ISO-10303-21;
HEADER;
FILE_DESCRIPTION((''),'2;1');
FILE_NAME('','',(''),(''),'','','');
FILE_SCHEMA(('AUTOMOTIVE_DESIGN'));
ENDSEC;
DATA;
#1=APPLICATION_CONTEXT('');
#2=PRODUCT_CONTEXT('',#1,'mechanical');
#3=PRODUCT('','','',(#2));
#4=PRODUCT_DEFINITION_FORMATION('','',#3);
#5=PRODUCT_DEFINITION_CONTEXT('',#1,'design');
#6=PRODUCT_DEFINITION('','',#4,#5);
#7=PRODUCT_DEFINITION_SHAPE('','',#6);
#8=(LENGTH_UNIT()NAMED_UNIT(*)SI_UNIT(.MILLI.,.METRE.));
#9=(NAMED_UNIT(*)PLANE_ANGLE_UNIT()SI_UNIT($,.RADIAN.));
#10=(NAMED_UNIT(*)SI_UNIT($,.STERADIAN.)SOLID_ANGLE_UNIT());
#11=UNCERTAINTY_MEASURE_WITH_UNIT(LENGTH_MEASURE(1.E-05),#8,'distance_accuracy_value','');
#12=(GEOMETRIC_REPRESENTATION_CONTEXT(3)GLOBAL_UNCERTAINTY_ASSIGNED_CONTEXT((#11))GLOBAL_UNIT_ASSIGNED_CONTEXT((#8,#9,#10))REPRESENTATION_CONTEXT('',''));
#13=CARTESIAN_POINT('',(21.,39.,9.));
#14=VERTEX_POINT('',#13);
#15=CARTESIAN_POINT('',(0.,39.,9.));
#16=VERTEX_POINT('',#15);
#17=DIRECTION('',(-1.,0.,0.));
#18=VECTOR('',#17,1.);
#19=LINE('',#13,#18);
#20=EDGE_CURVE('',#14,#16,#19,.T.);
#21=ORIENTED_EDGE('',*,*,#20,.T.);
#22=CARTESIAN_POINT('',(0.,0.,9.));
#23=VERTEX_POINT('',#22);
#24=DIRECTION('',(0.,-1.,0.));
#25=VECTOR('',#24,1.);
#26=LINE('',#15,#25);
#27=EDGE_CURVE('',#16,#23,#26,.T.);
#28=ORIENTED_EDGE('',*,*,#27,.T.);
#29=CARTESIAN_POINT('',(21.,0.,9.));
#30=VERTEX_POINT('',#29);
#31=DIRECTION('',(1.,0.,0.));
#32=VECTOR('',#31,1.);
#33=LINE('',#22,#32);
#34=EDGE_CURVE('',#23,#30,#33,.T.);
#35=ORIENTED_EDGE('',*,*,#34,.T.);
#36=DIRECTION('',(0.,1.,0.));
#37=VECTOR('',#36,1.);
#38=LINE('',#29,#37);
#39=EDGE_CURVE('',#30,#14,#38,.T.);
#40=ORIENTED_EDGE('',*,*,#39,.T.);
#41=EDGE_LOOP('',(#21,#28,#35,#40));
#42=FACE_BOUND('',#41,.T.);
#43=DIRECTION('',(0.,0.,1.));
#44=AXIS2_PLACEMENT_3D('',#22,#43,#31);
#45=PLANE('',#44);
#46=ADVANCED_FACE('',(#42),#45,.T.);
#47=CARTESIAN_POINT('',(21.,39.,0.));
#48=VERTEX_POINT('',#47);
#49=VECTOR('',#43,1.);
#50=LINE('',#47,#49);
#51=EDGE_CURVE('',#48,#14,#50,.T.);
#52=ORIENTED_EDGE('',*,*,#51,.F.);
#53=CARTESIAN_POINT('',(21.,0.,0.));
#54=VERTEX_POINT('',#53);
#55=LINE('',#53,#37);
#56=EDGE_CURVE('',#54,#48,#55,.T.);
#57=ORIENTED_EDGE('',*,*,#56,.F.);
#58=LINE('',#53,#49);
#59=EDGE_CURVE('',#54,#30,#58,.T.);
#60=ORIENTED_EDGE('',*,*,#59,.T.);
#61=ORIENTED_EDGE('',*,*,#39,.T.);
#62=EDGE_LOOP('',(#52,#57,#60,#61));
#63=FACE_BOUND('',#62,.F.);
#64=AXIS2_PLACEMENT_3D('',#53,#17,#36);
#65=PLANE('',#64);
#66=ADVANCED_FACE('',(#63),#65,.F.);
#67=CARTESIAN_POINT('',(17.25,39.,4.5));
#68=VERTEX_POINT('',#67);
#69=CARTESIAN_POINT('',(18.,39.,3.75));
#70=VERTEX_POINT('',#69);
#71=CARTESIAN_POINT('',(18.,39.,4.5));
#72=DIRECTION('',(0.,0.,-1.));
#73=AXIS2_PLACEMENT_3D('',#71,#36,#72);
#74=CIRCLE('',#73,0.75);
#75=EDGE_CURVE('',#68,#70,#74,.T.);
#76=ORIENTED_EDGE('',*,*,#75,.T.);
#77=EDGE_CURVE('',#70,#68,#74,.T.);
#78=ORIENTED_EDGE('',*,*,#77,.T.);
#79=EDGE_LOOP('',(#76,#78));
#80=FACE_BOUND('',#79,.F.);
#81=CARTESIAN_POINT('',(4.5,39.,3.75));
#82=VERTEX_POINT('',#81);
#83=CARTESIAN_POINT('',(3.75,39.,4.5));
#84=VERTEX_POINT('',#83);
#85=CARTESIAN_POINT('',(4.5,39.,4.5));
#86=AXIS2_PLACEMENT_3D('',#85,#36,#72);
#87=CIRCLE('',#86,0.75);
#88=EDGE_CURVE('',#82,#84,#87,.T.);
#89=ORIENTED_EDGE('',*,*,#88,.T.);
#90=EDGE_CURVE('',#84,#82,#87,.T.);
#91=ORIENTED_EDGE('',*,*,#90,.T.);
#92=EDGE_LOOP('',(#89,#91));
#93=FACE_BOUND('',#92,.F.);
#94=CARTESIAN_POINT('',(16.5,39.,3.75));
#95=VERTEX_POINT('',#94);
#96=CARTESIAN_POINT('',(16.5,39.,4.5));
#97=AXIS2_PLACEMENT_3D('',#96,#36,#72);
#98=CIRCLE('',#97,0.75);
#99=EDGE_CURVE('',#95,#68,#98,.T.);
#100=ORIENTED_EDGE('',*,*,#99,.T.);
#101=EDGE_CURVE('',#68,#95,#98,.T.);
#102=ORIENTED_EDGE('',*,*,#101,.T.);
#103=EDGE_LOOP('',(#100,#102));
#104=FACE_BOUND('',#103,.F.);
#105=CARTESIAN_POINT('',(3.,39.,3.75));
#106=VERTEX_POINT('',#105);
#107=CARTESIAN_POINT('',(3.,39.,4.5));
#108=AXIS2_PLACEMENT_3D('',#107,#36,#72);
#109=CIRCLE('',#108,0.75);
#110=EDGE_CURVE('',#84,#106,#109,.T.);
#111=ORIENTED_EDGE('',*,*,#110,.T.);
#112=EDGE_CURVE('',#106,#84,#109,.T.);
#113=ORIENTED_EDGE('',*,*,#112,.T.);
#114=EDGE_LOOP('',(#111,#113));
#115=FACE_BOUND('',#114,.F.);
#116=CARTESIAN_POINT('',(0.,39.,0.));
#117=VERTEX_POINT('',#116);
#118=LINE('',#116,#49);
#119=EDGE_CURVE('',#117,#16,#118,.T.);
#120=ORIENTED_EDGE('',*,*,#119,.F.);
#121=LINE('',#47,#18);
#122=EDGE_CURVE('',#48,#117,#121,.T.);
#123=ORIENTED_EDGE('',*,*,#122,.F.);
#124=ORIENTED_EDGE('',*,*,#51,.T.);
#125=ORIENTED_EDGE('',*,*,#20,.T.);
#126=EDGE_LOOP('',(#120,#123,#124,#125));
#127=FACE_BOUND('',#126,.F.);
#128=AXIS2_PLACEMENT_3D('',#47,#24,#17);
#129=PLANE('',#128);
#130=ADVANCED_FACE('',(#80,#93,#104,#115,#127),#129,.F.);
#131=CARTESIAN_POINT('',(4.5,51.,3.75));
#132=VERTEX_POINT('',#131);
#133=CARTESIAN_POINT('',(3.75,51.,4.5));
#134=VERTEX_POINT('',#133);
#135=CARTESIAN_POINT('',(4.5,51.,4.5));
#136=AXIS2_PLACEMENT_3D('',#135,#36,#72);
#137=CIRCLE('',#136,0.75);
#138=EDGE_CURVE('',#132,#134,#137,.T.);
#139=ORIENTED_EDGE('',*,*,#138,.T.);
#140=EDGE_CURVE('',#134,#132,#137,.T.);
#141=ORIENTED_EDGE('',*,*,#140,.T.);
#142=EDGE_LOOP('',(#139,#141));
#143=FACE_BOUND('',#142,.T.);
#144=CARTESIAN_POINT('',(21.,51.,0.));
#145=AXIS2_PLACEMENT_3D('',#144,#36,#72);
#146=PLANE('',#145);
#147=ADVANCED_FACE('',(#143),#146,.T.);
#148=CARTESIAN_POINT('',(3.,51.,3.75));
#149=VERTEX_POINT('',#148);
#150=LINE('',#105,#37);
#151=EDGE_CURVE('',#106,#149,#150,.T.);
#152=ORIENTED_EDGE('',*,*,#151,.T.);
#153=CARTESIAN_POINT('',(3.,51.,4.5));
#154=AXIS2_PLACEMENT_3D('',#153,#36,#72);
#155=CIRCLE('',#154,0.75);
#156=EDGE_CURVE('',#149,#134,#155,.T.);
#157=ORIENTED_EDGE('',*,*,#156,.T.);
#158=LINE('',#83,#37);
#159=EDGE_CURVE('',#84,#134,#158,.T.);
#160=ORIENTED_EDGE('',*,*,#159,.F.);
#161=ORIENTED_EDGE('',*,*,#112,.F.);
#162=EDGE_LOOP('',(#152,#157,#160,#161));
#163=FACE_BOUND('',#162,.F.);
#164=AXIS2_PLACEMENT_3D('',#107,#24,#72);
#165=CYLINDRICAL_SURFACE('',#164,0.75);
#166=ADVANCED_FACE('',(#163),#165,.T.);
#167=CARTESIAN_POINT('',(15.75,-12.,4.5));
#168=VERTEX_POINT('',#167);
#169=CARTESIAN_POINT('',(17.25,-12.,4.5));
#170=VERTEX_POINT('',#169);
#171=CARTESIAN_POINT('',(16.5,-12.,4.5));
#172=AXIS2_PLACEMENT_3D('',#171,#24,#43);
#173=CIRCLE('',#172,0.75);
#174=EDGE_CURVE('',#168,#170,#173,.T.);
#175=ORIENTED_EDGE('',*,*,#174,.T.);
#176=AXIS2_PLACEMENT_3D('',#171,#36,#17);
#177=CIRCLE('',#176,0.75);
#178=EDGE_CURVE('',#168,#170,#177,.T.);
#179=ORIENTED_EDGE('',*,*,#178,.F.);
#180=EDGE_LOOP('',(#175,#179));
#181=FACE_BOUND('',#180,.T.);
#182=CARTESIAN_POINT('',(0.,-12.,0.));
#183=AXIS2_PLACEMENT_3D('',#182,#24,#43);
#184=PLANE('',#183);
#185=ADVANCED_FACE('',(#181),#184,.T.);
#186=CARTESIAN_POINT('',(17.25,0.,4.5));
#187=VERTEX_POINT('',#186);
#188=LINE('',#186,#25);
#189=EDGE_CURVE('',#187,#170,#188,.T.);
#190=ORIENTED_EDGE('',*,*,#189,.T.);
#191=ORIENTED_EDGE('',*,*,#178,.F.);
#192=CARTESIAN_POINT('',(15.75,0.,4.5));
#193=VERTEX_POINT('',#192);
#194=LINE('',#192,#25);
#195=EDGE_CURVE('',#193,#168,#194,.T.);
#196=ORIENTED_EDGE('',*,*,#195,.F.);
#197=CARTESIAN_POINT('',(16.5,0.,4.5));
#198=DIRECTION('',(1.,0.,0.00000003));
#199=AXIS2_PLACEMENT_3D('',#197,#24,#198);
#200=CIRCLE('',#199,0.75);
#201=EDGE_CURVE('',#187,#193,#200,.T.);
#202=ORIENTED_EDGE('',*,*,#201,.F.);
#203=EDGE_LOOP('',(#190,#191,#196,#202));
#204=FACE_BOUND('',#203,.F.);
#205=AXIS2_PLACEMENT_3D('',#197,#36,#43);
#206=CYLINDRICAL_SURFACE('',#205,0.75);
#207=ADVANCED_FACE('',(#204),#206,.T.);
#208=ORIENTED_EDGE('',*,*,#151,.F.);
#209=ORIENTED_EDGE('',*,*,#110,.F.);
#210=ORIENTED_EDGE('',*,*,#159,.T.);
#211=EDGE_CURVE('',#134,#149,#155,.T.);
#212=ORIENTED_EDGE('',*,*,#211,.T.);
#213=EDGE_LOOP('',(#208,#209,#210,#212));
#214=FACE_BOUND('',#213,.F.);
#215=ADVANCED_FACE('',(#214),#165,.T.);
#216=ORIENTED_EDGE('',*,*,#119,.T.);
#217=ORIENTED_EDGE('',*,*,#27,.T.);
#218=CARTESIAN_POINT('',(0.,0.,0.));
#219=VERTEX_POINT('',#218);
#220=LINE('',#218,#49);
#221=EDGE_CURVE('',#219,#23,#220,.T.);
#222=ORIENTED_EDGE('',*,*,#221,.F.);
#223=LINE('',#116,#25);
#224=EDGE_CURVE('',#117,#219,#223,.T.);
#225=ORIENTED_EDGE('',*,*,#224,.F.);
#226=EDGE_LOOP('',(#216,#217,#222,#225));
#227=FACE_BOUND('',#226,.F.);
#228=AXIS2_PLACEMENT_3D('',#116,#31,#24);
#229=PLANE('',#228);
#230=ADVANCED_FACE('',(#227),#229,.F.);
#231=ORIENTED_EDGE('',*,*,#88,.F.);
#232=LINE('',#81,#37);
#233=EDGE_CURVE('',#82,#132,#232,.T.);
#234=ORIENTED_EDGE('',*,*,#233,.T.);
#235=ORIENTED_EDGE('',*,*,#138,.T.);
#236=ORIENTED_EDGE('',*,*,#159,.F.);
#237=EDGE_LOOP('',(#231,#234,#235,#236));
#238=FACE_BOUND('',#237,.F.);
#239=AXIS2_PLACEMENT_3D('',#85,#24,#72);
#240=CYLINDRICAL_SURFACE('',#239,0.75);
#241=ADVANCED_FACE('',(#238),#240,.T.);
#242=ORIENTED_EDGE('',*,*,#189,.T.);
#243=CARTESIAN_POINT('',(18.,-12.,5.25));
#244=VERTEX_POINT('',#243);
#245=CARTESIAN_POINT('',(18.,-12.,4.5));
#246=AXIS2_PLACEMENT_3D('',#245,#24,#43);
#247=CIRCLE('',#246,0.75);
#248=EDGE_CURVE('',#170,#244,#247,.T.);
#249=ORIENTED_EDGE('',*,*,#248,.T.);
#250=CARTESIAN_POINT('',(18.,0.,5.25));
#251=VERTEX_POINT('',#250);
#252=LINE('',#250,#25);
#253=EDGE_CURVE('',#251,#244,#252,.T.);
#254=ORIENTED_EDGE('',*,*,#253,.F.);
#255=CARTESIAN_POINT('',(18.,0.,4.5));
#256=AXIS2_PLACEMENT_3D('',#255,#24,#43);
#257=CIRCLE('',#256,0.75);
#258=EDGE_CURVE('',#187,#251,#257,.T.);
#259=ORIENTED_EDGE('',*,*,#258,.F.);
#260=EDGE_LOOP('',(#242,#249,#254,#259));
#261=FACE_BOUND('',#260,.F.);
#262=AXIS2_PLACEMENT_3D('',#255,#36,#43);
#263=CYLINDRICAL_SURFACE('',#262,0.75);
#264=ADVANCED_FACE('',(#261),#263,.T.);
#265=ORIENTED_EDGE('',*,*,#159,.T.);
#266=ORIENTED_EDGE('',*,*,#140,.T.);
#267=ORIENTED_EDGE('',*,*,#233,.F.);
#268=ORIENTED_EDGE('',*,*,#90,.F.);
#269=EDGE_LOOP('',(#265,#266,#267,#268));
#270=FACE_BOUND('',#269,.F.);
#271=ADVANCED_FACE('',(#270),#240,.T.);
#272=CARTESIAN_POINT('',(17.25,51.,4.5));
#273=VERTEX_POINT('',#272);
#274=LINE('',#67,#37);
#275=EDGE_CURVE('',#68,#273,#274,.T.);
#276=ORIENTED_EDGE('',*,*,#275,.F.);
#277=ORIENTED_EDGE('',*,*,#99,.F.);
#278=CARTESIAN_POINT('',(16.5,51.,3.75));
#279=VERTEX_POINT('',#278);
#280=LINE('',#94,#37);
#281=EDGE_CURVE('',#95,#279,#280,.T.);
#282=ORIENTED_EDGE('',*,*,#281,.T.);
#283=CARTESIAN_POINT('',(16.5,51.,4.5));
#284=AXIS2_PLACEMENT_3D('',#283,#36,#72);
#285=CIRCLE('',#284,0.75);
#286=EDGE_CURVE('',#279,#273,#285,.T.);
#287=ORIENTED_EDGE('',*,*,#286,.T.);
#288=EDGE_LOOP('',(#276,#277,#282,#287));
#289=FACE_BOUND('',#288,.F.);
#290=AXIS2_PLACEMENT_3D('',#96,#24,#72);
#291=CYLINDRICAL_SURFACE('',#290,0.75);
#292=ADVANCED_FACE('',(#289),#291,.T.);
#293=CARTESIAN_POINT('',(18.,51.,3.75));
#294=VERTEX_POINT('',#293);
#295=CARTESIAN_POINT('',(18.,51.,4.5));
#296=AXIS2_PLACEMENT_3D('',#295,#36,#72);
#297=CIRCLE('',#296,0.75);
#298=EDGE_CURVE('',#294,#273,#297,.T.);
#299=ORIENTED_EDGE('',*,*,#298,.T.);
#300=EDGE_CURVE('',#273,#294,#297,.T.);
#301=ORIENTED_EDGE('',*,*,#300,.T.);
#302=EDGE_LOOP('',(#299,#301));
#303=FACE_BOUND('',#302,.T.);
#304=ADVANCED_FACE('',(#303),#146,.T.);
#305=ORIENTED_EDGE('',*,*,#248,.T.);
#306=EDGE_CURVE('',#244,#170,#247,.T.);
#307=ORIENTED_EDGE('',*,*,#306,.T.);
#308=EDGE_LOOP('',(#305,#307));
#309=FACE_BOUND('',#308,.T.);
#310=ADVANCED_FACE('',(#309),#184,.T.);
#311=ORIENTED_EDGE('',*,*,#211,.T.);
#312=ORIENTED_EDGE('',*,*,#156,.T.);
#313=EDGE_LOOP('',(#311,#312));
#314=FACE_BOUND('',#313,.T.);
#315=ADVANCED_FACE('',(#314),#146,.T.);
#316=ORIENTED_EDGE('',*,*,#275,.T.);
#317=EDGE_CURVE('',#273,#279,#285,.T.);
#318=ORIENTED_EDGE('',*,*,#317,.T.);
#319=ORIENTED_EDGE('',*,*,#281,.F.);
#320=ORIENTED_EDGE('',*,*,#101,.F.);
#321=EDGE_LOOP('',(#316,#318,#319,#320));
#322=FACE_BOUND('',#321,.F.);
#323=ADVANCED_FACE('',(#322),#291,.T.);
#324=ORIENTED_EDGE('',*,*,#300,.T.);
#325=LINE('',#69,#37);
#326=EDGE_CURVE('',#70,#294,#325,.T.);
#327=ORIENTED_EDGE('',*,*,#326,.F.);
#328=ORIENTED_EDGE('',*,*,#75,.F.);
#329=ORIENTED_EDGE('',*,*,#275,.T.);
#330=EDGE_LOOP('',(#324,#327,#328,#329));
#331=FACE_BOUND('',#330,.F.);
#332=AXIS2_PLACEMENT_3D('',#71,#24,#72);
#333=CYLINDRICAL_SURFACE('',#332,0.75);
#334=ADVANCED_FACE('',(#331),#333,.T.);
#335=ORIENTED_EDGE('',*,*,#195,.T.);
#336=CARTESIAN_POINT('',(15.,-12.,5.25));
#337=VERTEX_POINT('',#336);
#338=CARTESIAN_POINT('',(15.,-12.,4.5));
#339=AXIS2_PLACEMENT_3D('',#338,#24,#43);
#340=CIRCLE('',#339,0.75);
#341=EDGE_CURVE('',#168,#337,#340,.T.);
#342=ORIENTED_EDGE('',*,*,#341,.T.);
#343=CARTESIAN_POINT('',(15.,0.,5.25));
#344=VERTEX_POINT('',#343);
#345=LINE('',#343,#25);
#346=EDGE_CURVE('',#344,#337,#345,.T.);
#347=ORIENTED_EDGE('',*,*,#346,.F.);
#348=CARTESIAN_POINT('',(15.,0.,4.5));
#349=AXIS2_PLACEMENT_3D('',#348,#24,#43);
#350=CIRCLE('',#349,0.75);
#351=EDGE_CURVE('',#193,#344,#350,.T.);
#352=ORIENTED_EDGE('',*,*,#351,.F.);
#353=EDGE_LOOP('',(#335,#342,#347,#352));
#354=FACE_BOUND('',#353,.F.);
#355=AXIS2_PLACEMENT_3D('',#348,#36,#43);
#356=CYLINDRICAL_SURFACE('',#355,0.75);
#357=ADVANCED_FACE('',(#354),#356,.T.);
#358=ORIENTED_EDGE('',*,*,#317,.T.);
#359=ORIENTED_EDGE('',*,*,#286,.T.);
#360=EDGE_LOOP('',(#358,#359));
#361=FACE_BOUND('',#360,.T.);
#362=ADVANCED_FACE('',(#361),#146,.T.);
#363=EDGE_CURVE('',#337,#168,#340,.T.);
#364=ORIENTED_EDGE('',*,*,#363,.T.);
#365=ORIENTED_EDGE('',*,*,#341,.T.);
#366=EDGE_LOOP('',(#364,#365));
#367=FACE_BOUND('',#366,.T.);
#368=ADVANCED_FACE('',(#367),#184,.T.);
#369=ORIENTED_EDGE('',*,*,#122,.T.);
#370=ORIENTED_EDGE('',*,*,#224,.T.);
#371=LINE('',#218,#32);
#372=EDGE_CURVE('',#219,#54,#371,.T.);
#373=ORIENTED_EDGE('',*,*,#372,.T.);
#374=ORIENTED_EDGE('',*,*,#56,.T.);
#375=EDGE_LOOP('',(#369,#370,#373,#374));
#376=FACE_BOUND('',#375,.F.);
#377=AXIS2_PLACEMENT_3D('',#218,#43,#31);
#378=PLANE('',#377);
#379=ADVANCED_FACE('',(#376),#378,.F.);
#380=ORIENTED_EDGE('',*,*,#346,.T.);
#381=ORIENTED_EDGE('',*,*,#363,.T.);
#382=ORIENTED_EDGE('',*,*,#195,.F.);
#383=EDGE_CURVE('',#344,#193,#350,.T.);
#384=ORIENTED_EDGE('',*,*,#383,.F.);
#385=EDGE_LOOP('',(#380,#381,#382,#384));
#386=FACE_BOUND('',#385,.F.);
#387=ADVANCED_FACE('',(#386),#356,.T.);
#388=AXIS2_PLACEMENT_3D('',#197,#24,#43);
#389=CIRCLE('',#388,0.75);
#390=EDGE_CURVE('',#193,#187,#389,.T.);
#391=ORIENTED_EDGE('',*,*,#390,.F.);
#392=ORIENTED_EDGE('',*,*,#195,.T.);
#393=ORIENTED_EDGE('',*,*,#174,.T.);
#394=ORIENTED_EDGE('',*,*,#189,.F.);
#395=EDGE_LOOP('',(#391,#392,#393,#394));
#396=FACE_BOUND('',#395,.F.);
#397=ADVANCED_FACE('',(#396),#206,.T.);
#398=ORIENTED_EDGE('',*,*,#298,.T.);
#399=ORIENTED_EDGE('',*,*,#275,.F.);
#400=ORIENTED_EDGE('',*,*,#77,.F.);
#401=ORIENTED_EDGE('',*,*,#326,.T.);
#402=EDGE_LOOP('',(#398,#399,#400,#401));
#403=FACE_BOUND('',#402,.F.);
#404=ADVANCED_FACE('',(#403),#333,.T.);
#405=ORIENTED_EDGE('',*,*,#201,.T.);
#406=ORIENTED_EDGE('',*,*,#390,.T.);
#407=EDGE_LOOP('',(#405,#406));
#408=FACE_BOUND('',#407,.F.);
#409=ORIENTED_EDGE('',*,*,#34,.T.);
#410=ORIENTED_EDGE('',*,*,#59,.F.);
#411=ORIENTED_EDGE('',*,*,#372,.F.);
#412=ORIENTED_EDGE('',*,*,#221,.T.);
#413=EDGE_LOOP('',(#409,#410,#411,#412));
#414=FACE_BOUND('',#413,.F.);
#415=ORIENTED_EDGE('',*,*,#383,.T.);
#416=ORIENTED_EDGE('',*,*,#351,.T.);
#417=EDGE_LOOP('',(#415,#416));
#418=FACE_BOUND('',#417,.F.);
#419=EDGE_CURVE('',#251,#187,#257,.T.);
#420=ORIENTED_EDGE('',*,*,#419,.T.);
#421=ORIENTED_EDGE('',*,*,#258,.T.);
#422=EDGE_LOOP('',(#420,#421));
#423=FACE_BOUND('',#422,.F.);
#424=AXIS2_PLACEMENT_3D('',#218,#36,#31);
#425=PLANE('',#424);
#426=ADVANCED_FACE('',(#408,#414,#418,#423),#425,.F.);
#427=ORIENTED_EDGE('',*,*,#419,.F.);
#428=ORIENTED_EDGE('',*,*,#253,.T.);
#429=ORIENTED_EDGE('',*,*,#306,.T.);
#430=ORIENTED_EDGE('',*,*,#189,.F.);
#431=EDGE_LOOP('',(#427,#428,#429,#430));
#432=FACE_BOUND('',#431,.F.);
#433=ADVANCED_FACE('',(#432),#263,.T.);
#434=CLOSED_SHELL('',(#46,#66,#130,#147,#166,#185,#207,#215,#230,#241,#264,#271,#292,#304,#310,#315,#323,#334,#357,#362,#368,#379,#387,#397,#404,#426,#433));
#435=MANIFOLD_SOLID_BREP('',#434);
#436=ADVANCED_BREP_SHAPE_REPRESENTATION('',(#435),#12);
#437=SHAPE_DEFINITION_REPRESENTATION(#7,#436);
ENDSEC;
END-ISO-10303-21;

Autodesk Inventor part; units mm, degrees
ref_plane "YZ Plane" through (0, 0, 0) normal (1, 0, 0) x (0, 1, 0)
ref_plane "XZ Plane" through (0, 0, 0) normal (0, 1, 0) x (-1, 0, 0)
ref_plane "XY Plane" through (0, 0, 0) normal (0, 0, 1) x (1, 0, 0)
sketch "Sketch1" plane through (0, 0, 0) normal (0, 0, 1) x (1, 0, 0)
  line L0 (0, 0) -> (21, 0)
  line L1 (21, 0) -> (21, 39)
  line L2 (21, 39) -> (0, 39)
  line L3 (0, 39) -> (0, 0)
  dimension "d0" = 21
  dimension "d1" = 39
extrude "Extrusion1" add sketch "Sketch1" along normal blind 9
sketch "Sketch2" plane through (21, 39, 0) normal (0, 1, 0) x (0, 0, -1)
  line L0 (0, 0) -> (-9, 0) projected
  circle A0 centre (-4.5, 3) radius 0.75
  circle A1 centre (-4.5, 4.5) radius 0.75
  circle A2 centre (-4.5, 16.5) radius 0.75
  circle A3 centre (-4.5, 18) radius 0.75
  line L1 (0, 21) -> (-9, 21) projected
  point P0 (-4.5, 0)
  point P1 (-4.5, 0)
  point P2 (-4.5, 0)
  point P3 (-4.5, 17.25)
  point P4 (-4.5, 3.75)
  dimension "d14" = 1.5
  dimension "d15" = 1.5
  dimension "d16" = 1.5
  dimension "d17" = 3
  dimension "d18" = 3
extrude "Extrusion2" add sketch "Sketch2" along normal blind 12
sketch "Sketch3" plane through (0, 0, 0) normal (0, -1, 0) x (0, 0, 1)
  circle A0 centre (4.5, -18) radius 0.75
  circle A1 centre (4.5, -16.5) radius 0.75
  circle A2 centre (4.5, -15) radius 0.75
  line L0 (0, -21) -> (9, -21) projected
  point P0 (4.5, -21)
  point P1 (4.5, -15.75)
  point P2 (4.5, -17.25)
  dimension "d19" = 1.5
  dimension "d20" = 1.5
  dimension "d21" = 1.5
  dimension "d22" = 3
extrude "Extrusion3" add sketch "Sketch3" along normal blind 12
equation "\"d21\" = d20"
properties part number "Brushed ESC"
